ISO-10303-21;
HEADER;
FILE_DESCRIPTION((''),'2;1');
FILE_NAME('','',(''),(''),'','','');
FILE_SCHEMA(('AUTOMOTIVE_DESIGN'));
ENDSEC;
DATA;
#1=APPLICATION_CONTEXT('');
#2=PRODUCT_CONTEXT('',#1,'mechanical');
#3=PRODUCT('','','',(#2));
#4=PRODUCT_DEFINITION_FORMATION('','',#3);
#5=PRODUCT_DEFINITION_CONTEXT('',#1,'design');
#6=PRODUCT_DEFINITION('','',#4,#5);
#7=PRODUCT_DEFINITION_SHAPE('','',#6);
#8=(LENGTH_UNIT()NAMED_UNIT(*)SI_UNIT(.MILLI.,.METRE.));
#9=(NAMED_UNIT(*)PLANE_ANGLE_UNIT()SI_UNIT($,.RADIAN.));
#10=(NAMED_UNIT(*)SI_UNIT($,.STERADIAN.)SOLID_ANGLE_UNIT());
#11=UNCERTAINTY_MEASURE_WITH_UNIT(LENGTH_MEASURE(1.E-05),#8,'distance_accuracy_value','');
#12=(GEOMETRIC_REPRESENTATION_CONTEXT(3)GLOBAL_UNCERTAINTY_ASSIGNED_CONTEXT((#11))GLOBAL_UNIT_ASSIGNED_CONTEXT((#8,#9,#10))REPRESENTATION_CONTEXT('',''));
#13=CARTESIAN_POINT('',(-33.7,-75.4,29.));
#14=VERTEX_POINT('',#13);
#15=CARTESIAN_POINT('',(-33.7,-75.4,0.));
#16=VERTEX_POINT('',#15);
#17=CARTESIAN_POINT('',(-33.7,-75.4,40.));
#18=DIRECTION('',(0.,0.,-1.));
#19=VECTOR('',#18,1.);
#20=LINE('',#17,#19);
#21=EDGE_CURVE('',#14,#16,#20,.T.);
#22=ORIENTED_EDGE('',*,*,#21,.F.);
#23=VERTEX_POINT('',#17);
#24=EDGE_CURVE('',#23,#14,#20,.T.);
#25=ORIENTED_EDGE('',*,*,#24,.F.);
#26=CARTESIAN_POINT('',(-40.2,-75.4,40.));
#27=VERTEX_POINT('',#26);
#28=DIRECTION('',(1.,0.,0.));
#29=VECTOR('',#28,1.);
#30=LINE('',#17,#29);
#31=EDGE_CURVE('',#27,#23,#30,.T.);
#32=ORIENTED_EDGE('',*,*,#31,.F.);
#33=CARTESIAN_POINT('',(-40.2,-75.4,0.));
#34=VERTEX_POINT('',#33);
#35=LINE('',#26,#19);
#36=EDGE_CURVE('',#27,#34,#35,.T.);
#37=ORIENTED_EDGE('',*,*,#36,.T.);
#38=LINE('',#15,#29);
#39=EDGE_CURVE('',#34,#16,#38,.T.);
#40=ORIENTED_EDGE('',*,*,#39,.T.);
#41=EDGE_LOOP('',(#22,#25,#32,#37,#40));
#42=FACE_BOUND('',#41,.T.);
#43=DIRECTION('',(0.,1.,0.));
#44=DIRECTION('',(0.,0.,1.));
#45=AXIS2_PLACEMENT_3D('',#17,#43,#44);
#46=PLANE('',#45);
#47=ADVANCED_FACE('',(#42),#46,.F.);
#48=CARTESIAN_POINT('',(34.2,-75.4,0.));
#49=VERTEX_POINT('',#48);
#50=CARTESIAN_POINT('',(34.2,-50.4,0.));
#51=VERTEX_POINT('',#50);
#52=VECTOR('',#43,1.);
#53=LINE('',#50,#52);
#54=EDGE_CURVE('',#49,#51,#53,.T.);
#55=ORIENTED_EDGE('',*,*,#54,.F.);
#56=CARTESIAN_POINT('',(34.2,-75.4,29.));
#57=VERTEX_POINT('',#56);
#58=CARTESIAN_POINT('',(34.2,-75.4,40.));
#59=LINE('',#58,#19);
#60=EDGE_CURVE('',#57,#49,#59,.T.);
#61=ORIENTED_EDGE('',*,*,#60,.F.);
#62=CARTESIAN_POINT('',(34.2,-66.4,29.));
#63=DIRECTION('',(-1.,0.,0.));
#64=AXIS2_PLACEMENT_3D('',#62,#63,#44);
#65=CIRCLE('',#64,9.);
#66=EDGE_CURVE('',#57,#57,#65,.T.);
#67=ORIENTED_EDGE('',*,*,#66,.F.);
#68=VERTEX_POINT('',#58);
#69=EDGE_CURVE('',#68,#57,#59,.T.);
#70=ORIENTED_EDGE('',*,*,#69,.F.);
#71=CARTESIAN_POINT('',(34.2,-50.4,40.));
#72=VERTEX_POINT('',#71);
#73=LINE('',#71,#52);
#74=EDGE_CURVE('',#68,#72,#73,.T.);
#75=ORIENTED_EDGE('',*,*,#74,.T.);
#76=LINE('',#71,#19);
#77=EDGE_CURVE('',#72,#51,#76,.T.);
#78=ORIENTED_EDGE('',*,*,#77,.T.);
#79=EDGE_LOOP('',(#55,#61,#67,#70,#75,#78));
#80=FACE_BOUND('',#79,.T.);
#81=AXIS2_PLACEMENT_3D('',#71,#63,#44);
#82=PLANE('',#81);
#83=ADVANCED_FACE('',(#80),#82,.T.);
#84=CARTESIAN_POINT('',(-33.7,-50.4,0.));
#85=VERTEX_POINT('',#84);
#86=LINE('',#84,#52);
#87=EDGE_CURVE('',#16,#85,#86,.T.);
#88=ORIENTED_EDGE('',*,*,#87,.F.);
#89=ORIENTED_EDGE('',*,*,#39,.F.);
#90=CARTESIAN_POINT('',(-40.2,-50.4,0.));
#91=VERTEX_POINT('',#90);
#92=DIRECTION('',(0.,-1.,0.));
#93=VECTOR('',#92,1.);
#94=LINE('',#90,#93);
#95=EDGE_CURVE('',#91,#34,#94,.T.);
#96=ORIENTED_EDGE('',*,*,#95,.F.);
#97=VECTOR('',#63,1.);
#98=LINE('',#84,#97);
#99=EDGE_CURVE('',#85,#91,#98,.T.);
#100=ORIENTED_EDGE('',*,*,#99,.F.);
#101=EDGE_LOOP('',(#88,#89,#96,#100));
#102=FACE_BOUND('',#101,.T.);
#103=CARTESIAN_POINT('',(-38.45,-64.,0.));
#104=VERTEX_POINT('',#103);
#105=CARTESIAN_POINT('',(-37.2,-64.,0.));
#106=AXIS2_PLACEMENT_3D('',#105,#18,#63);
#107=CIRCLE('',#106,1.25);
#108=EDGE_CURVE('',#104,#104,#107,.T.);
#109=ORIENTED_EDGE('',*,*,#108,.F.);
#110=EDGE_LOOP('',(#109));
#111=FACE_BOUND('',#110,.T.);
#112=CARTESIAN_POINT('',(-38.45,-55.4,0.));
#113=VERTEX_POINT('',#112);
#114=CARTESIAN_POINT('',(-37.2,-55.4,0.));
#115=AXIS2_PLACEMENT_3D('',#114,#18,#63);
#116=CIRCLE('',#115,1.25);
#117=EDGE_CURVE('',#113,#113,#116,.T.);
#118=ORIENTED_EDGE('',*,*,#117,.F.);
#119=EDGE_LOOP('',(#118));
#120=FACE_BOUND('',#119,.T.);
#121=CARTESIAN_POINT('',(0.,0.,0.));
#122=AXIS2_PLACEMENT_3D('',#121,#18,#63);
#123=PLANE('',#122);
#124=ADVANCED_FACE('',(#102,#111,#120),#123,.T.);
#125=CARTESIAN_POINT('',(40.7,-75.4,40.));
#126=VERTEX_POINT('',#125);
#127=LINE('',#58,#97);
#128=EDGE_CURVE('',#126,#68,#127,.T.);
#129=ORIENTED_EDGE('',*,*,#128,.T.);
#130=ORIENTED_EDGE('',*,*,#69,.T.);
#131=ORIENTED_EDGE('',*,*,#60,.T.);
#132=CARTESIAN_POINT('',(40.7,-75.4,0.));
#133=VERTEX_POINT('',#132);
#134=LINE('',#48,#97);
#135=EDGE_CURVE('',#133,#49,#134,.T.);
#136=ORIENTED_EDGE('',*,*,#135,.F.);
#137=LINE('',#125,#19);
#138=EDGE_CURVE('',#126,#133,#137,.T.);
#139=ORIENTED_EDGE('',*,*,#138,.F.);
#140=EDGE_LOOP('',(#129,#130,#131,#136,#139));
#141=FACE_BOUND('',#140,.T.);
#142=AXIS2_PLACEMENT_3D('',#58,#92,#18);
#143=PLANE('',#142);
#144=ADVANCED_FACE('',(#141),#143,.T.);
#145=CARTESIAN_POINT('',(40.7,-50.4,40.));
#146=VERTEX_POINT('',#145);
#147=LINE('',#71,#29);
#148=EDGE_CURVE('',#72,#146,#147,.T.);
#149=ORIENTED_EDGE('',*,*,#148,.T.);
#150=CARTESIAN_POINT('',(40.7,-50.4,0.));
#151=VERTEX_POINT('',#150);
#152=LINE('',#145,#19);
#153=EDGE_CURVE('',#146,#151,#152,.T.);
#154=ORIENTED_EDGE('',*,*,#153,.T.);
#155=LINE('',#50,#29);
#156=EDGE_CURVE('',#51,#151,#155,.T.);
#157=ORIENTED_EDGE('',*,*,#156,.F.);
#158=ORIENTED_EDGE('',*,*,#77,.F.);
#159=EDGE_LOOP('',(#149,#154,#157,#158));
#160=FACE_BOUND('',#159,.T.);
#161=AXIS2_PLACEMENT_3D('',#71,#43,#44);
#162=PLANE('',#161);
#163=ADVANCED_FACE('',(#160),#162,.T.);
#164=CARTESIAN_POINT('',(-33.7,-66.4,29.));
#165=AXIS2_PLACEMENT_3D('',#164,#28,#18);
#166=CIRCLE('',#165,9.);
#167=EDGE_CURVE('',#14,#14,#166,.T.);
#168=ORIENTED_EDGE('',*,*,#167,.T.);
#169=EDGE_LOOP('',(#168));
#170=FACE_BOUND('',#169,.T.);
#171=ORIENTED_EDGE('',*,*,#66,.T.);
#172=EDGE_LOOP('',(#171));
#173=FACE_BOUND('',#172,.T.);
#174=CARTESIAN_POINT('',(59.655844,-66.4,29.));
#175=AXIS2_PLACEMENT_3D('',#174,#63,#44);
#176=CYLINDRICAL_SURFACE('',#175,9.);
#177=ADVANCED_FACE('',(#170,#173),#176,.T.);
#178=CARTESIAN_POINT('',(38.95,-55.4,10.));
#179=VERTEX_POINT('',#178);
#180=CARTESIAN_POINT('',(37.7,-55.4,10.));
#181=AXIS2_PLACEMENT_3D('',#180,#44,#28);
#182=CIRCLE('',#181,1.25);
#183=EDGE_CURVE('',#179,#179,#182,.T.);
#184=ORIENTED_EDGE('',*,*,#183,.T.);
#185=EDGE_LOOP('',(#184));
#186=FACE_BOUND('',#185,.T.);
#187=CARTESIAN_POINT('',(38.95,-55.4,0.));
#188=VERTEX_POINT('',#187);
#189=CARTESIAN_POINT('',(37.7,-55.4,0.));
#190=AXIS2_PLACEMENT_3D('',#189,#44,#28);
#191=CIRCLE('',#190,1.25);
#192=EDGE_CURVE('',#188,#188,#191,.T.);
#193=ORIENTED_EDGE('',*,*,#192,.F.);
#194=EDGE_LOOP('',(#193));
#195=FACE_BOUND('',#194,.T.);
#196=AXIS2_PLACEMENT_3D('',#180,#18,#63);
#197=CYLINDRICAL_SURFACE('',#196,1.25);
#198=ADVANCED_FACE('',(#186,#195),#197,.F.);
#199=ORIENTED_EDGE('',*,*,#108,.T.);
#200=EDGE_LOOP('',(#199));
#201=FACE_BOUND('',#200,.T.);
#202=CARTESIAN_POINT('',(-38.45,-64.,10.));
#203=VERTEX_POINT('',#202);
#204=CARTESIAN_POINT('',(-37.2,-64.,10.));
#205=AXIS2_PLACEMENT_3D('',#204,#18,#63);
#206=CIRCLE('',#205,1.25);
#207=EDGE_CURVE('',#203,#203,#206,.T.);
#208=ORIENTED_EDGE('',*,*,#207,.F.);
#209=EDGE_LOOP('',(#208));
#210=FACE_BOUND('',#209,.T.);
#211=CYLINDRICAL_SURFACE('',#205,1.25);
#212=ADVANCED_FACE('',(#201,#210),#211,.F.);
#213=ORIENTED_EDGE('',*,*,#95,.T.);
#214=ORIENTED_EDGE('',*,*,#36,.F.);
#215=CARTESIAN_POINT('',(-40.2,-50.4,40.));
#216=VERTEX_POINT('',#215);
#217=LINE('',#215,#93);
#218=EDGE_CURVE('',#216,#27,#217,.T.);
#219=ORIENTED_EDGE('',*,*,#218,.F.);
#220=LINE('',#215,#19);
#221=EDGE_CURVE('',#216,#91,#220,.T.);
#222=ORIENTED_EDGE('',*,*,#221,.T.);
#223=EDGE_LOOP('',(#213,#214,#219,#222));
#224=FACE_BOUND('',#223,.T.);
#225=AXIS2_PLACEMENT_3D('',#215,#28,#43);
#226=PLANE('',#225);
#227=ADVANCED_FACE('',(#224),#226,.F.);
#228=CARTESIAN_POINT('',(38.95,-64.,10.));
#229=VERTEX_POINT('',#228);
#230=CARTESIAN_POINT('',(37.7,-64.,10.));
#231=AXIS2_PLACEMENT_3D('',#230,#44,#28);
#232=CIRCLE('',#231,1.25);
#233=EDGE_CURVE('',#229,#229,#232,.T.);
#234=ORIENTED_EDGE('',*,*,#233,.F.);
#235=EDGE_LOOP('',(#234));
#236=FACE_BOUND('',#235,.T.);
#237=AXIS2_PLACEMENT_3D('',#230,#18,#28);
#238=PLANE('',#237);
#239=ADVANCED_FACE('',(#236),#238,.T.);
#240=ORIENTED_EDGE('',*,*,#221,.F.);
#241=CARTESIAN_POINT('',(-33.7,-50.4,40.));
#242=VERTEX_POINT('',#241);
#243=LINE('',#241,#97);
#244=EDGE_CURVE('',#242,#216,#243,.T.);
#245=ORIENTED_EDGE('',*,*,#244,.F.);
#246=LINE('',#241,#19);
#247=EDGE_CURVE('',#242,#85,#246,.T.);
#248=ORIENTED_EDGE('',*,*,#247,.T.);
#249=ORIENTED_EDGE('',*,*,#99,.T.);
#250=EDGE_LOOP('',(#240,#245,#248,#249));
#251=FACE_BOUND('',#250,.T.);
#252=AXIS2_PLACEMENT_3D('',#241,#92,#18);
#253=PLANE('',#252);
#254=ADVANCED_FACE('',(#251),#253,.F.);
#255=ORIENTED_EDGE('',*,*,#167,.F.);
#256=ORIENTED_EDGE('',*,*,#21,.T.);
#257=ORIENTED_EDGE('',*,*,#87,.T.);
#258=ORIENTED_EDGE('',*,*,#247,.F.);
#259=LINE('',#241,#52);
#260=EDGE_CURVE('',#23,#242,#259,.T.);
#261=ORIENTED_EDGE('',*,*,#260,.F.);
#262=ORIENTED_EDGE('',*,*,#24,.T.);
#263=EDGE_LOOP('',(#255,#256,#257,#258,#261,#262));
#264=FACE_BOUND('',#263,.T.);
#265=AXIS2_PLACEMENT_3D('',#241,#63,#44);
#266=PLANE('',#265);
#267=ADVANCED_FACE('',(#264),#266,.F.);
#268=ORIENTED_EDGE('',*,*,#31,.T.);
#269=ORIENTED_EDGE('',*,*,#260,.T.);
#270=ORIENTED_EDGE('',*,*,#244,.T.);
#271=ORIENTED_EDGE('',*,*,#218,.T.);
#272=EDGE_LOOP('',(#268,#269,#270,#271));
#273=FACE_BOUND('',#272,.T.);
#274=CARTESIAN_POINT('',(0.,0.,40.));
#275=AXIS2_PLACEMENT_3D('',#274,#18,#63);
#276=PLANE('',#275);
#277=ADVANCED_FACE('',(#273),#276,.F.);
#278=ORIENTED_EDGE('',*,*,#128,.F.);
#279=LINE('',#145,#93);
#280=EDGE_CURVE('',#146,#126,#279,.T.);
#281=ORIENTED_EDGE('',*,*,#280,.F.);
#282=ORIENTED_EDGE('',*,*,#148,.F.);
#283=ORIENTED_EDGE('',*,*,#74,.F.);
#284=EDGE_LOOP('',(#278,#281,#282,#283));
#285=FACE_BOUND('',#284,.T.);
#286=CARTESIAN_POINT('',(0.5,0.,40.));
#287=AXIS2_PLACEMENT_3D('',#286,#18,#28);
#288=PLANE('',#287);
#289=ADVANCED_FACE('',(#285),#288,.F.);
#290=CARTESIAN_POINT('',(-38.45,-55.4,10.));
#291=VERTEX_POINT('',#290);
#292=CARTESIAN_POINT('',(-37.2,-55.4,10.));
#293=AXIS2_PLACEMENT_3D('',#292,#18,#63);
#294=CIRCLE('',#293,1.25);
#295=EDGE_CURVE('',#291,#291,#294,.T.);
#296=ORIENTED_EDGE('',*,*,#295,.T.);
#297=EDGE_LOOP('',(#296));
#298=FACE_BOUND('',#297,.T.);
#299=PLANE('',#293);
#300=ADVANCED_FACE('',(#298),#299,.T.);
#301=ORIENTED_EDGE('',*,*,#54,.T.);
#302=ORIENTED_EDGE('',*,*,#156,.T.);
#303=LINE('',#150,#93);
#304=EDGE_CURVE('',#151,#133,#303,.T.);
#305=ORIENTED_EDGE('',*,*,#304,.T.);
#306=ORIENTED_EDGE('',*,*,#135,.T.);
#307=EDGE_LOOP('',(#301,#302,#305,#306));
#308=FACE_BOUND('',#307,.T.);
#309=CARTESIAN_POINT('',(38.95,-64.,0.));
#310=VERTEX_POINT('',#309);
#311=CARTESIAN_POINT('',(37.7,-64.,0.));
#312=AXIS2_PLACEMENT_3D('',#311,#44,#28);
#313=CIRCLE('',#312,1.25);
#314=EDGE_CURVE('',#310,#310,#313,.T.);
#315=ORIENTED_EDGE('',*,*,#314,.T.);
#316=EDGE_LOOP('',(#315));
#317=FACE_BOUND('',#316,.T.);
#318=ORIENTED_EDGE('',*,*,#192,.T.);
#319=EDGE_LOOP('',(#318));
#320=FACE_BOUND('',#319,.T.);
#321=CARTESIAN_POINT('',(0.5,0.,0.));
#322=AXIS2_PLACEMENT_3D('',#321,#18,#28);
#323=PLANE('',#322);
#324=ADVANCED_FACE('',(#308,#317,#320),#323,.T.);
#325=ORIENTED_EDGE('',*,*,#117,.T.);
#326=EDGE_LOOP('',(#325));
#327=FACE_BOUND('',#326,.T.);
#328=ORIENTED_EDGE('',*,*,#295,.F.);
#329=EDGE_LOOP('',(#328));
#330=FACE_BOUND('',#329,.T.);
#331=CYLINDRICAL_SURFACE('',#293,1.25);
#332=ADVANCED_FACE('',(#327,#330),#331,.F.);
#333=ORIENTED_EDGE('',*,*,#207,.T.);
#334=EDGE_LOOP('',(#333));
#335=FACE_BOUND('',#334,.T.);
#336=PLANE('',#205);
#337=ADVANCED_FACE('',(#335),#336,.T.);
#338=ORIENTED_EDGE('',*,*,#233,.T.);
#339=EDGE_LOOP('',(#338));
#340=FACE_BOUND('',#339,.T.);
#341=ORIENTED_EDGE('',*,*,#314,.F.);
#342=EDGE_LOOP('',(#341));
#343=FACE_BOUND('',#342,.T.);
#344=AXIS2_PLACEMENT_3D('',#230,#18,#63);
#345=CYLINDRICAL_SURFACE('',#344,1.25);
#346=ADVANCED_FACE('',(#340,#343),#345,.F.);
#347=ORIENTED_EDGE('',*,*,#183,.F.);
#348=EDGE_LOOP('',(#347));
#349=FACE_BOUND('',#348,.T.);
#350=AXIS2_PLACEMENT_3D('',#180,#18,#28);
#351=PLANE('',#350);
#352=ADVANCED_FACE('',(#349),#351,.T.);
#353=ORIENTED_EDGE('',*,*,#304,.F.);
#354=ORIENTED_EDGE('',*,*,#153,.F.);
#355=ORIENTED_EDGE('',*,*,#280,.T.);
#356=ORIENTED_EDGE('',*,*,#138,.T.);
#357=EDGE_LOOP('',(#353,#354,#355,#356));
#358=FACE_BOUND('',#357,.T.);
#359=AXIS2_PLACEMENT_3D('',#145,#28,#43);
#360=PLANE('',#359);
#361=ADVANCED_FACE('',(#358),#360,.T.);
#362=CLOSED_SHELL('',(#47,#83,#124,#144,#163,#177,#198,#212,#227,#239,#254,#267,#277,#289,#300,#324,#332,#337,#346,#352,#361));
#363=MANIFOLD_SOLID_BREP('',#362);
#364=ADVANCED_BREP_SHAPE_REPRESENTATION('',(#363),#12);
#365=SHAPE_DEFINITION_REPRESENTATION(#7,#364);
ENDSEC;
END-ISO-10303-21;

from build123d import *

# Parameters (mm, degrees)
SKETCH1_W           = 6.5
SKETCH1_H           = 25
BOSS_EXTRUDE1_DEPTH = 40
SKETCH2_R           = 1.25
CUT_EXTRUDE1_DEPTH  = 10
SKETCH3_R           = 9
BOSS_EXTRUDE2_DEPTH = 67.9


with BuildPart() as part:
    # Sketch1 → Boss-Extrude1 (new body)
    with BuildSketch(Plane.XY):
        with Locations((-36.95, -62.9)):
            Rectangle(SKETCH1_W, SKETCH1_H)
    boss_extrude1 = extrude(amount=BOSS_EXTRUDE1_DEPTH)

    # Sketch2 → Cut-Extrude1 (cut)
    with BuildSketch(Plane(origin=(0, 0, 0), x_dir=(-1, 0, 0), z_dir=(0, 0, -1))):
        with Locations((37.2, -55.4)):
            Circle(SKETCH2_R)
        with Locations((37.2, -64)):
            Circle(SKETCH2_R)
    cut_extrude1 = extrude(amount=-CUT_EXTRUDE1_DEPTH, mode=Mode.SUBTRACT)

    # Sketch3 → Boss-Extrude2 (add)
    with BuildSketch(Plane(origin=(-33.7, 0, 0), x_dir=(0, 0, -1), z_dir=(1, 0, 0))):
        with Locations(Location((-29, -66.4, 0), (0, 0, 180))):
            Circle(SKETCH3_R)
    extrude(amount=BOSS_EXTRUDE2_DEPTH)

    # Mirror1: Boss-Extrude1, Cut-Extrude1 across plane
    add(boss_extrude1.mirror(Plane(origin=(0.25, 0, 0), x_dir=(0, 0, 1), z_dir=(1, 0, 0))))
    add(cut_extrude1.mirror(Plane(origin=(0.25, 0, 0), x_dir=(0, 0, 1), z_dir=(1, 0, 0))), mode=Mode.SUBTRACT)


solid = part.part
